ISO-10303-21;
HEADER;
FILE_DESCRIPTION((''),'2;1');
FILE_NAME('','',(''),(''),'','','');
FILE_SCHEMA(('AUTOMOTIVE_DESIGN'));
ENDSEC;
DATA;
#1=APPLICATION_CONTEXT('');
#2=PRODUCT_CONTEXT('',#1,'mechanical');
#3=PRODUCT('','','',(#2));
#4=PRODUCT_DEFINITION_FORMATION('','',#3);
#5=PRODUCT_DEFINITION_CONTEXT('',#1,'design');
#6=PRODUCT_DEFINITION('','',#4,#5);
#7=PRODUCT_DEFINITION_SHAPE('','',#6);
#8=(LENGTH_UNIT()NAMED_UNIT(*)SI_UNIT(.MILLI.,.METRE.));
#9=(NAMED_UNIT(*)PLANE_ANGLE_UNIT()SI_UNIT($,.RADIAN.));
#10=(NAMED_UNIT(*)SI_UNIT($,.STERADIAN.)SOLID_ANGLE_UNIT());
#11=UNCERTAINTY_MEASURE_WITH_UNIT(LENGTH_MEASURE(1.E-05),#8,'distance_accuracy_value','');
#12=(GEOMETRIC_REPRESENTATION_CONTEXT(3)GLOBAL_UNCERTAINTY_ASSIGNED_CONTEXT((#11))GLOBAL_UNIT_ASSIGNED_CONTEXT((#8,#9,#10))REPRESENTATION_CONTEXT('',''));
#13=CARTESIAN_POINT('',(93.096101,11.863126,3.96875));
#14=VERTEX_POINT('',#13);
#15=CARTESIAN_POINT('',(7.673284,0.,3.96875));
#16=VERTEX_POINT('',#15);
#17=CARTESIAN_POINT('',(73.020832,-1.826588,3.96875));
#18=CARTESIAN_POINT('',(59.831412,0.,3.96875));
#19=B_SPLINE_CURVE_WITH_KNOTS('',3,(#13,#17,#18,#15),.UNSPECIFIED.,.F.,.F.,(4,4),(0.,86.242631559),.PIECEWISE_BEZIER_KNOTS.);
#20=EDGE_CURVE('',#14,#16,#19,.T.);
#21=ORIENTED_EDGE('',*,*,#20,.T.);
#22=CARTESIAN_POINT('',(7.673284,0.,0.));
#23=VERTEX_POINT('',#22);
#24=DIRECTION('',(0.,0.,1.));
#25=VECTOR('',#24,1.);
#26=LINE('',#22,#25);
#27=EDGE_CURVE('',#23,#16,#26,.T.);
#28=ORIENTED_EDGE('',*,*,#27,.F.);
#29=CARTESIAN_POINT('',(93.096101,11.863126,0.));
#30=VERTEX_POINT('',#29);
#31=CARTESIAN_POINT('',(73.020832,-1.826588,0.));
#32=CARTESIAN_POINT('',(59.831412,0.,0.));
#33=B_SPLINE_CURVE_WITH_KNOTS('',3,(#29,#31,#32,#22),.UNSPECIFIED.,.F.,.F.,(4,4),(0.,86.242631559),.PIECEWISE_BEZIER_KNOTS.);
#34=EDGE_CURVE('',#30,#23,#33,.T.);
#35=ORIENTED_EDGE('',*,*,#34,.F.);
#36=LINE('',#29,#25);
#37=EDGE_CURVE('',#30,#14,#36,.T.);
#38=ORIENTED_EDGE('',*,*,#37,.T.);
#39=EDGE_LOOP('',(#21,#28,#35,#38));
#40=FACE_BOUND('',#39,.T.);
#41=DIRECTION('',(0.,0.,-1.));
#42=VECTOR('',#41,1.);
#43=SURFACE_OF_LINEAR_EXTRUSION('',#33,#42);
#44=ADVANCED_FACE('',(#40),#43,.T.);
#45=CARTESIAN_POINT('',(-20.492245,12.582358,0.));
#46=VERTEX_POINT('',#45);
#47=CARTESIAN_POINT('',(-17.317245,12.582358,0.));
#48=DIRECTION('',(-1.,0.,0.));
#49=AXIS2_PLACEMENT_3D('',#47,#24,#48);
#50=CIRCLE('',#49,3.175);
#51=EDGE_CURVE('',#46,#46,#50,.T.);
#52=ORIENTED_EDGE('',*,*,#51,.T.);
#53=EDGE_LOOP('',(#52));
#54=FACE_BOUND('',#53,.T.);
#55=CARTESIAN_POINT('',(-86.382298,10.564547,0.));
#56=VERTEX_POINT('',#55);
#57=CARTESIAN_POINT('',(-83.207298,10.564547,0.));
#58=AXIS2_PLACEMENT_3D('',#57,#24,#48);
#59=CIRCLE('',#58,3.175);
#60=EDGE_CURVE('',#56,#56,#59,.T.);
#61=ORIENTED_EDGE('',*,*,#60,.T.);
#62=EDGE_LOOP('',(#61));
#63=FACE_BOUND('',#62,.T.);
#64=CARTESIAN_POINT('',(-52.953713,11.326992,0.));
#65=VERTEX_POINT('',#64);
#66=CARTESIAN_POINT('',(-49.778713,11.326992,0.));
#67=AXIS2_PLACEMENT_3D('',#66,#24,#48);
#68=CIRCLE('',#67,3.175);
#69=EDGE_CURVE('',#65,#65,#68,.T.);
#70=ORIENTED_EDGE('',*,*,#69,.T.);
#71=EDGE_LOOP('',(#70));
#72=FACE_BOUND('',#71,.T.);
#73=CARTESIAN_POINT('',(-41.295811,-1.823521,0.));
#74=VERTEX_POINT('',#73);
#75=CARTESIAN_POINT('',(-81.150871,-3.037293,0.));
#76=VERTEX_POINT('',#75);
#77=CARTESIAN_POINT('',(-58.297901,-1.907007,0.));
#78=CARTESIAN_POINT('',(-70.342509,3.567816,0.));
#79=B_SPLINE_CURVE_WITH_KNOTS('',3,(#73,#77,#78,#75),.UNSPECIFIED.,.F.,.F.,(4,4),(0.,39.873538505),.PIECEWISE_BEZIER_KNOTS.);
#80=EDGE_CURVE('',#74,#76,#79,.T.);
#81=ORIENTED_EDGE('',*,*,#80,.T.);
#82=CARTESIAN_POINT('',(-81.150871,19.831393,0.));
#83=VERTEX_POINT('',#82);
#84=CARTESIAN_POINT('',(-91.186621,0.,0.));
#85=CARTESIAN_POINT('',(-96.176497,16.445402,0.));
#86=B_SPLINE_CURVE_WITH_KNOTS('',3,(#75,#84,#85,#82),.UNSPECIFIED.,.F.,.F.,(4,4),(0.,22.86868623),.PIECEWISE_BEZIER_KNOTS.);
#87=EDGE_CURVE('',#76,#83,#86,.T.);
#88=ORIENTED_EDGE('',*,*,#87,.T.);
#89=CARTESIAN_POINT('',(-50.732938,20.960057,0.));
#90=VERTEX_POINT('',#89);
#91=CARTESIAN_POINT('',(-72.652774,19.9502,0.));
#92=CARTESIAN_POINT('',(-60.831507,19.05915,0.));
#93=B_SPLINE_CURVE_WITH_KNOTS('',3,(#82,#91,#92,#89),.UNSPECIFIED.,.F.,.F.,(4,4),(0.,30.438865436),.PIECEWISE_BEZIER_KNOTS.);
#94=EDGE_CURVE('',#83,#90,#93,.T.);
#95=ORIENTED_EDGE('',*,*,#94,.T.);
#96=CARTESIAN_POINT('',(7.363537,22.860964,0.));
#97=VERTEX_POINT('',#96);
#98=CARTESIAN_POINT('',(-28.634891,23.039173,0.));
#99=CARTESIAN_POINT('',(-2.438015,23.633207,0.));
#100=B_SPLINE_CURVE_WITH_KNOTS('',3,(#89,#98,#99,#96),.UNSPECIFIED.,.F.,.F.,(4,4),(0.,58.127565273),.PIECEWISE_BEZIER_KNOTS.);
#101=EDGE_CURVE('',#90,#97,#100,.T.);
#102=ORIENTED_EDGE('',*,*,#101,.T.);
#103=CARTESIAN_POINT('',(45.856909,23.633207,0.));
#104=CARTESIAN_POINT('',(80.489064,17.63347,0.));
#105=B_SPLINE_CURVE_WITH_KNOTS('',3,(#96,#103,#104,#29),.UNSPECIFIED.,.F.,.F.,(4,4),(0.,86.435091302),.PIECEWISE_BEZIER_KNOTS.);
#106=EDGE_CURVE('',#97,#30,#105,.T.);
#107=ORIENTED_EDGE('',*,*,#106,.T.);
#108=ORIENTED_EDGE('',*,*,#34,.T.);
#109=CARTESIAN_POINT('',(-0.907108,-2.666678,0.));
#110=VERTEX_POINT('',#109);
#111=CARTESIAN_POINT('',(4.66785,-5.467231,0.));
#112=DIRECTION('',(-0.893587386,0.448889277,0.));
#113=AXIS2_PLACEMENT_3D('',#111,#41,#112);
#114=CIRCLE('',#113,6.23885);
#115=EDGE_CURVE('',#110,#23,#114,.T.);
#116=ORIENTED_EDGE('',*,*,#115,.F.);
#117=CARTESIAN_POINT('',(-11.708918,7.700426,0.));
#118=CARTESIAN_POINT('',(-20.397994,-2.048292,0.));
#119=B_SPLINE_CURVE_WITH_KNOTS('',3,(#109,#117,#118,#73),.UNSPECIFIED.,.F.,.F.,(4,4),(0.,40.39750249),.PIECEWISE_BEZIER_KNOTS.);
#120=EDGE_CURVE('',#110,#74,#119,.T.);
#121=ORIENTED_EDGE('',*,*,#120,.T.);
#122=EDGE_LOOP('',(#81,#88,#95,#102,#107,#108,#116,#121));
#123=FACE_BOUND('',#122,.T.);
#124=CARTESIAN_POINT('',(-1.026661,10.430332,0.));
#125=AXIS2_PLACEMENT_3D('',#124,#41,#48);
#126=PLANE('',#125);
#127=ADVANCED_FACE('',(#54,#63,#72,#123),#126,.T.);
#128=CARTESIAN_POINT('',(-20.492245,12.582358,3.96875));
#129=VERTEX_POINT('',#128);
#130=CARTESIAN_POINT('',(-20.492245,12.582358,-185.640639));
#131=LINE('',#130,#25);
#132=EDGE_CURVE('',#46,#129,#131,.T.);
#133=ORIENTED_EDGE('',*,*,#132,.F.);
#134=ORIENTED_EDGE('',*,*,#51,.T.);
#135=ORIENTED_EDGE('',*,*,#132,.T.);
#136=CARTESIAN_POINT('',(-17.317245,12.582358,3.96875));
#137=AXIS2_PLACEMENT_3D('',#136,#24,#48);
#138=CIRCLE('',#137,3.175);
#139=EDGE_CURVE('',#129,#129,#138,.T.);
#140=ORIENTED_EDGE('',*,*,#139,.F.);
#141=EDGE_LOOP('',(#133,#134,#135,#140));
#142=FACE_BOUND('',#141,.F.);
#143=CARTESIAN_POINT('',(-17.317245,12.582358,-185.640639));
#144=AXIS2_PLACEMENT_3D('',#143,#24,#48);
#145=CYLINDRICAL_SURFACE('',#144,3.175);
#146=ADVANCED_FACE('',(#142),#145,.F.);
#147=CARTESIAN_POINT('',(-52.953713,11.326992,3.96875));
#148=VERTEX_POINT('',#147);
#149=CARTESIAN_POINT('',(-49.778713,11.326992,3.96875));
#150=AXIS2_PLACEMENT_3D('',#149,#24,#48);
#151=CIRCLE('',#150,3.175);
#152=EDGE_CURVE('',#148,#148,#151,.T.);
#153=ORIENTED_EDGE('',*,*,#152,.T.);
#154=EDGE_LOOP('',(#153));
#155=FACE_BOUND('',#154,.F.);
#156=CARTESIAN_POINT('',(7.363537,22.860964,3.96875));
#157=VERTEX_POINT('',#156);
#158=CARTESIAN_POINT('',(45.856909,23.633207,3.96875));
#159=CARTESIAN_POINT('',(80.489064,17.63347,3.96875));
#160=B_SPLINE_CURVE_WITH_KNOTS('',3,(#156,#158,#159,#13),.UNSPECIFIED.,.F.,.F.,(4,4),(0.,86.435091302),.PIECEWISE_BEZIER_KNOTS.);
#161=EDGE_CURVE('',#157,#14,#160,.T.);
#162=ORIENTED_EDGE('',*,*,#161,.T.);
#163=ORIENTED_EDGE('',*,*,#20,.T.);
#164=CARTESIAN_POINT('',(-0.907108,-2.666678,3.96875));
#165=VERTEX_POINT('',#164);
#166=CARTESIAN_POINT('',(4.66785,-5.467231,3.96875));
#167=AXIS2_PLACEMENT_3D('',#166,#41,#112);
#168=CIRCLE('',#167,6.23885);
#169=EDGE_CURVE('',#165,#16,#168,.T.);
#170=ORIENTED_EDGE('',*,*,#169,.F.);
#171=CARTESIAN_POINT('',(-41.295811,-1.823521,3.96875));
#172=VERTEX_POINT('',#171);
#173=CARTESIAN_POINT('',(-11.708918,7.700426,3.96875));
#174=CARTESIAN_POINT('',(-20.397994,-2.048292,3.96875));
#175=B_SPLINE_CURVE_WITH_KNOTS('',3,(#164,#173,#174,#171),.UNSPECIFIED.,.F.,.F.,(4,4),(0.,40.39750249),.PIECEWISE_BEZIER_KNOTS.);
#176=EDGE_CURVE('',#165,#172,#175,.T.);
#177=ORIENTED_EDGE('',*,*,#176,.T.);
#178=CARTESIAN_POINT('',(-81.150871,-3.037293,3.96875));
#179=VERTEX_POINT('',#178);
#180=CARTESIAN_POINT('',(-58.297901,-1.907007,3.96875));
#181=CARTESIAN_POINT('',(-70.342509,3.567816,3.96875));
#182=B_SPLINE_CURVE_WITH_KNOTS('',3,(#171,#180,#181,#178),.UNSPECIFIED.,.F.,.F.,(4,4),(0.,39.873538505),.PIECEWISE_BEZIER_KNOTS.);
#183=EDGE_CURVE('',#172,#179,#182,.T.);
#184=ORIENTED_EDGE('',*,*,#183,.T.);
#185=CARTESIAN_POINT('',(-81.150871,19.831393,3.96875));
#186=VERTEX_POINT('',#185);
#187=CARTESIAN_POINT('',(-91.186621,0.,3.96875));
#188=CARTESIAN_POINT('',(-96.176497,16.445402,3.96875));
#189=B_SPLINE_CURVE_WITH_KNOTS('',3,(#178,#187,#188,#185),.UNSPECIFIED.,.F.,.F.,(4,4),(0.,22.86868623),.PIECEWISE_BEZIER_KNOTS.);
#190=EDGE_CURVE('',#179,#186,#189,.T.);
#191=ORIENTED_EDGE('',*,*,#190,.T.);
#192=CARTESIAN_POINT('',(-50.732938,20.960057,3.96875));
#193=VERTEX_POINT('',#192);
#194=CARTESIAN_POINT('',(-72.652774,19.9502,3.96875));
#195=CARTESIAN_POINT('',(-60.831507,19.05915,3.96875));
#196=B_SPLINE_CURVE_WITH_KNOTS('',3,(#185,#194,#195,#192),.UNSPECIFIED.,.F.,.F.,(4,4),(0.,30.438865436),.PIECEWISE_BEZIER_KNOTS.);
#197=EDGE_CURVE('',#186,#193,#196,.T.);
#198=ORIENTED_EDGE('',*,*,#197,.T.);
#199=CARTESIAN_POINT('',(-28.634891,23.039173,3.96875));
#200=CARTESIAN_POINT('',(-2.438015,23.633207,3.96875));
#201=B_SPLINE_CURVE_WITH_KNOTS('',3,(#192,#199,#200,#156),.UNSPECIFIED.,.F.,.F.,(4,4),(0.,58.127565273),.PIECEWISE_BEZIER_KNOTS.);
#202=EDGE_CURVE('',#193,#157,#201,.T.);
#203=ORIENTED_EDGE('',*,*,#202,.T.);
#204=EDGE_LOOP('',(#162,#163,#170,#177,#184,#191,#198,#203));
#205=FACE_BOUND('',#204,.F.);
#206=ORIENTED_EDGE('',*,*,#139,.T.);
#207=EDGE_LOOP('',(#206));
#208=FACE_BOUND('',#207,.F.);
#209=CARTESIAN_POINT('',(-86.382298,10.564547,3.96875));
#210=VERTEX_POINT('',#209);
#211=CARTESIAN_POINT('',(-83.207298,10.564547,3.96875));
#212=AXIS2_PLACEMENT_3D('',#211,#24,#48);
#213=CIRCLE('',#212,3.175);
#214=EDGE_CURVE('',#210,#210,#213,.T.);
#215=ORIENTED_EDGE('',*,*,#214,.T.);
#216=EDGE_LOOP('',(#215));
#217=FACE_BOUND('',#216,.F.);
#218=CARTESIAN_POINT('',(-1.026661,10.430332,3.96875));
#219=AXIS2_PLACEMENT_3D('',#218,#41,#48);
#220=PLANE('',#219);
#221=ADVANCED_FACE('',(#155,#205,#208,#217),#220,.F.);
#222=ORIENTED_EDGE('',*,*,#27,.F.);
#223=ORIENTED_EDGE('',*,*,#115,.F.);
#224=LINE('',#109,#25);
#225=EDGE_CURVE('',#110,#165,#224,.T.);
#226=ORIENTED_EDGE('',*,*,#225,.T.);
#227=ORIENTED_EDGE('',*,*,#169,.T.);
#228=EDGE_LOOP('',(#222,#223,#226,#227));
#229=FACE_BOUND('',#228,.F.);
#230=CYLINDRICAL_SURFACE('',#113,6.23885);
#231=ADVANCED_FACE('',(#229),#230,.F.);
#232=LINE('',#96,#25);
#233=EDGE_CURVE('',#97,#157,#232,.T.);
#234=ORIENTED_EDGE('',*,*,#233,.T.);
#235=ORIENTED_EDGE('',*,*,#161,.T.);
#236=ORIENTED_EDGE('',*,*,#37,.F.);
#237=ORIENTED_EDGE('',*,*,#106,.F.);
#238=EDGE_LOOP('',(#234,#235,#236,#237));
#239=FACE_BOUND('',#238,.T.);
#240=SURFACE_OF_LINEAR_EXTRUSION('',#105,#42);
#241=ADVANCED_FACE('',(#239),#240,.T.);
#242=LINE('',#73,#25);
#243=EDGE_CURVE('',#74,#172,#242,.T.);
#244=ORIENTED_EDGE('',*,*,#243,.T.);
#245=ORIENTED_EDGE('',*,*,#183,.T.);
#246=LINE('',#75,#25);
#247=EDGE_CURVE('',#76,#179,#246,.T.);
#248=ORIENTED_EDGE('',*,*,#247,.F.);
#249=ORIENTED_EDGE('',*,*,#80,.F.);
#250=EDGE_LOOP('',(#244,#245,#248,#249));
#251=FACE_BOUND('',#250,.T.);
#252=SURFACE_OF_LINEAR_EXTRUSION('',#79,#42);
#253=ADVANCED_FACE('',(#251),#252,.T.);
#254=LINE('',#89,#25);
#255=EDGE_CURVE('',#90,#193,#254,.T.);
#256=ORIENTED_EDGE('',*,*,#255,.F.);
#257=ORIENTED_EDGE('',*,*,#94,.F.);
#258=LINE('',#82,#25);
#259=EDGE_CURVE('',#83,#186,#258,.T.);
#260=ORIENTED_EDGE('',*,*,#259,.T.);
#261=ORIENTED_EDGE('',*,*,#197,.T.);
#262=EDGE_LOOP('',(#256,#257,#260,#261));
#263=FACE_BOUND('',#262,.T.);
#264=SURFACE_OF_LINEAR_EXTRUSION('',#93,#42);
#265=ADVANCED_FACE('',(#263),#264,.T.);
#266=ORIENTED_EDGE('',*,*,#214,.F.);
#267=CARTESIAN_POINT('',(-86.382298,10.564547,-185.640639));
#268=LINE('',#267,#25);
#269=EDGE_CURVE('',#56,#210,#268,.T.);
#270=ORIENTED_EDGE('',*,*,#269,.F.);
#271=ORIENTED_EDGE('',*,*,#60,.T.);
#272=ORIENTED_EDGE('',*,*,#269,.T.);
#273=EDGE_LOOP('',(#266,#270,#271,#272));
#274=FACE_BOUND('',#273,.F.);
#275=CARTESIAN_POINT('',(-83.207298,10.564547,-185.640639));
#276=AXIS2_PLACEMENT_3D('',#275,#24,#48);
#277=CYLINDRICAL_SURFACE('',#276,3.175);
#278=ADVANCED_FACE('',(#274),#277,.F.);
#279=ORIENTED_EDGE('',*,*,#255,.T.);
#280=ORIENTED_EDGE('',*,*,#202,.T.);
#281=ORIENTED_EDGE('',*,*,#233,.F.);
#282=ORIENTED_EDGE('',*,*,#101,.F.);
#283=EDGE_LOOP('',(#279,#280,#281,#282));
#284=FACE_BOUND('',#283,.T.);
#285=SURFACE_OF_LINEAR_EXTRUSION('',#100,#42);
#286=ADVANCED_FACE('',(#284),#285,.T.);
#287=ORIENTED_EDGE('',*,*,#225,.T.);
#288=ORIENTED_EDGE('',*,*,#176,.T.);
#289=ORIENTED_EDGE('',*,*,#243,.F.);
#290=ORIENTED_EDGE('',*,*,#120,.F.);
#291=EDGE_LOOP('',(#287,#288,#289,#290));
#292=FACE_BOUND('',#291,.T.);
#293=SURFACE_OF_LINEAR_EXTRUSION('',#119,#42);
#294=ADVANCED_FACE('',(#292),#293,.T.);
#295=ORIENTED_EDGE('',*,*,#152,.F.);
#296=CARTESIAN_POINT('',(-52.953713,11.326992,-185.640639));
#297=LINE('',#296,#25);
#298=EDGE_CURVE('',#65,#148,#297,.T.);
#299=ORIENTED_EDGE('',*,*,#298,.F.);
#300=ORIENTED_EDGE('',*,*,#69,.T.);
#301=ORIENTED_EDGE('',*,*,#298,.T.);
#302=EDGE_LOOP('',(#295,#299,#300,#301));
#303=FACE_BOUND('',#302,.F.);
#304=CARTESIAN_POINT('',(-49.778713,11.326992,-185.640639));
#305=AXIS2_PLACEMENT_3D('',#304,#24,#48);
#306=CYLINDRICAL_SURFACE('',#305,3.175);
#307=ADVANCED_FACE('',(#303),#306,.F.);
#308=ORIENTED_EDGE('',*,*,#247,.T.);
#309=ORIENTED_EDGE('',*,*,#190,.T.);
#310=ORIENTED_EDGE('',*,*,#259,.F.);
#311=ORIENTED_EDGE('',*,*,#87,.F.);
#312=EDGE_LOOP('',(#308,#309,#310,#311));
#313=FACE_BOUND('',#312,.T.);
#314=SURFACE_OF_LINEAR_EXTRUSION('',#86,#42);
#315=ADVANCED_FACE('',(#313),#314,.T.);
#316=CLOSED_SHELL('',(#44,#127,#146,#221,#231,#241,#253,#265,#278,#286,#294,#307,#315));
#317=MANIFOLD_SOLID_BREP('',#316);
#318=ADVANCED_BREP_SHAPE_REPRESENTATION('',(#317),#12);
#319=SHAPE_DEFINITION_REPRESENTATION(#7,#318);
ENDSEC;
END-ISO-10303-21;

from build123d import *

# Parameters (mm, degrees)
F1_DEPTH = 3.96875
F2_D     = 6.35
F3_D     = 6.35


with BuildPart() as f1:
    # F0 (on Top) → F1 (new body)
    with BuildSketch(Plane.XY):
        with BuildLine():
            add(Edge.make_bspline(
                [(93.0961013775, 11.8631264067), (73.0208323512, -1.8265877953), (59.8314115865, 0), (7.6732839915, 0)],
                knots=[0, 0, 0, 0, 86.2426315595, 86.2426315595, 86.2426315595, 86.2426315595], degree=3))
            add(Edge.make_bspline(
                [(7.3635370912, 22.8609638917), (45.8569088961, 23.6332072416), (80.4890639518, 17.6334698365), (93.0961013775, 11.8631264067)],
                knots=[0, 0, 0, 0, 86.4350913023, 86.4350913023, 86.4350913023, 86.4350913023], degree=3))
            add(Edge.make_bspline(
                [(-50.7329378175, 20.9600568183), (-28.6348905119, 23.0391732855), (-2.4380154521, 23.6332072416), (7.3635370912, 22.8609638917)],
                knots=[0, 0, 0, 0, 58.1275652726, 58.1275652726, 58.1275652726, 58.1275652726], degree=3))
            add(Edge.make_bspline(
                [(-81.150870805, 19.8313930948), (-72.6527741432, 19.950199886), (-60.8315071405, 19.059149745), (-50.7329378175, 20.9600568183)],
                knots=[0, 0, 0, 0, 30.4388654361, 30.4388654361, 30.4388654361, 30.4388654361], degree=3))
            add(Edge.make_bspline(
                [(-81.150870805, -3.0372931352), (-91.1866208845, 0), (-96.1764965988, 16.4454019242), (-81.150870805, 19.8313930948)],
                knots=[0, 0, 0, 0, 22.8686862301, 22.8686862301, 22.8686862301, 22.8686862301], degree=3))
            add(Edge.make_bspline(
                [(-41.2958105253, -1.8235209079), (-58.2979012822, -1.90700734), (-70.3425093809, 3.5678162715), (-81.150870805, -3.0372931352)],
                knots=[0, 0, 0, 0, 39.8735385051, 39.8735385051, 39.8735385051, 39.8735385051], degree=3))
            add(Edge.make_bspline(
                [(-0.9071079771, -2.6666779982), (-11.7089183609, 7.7004259843), (-20.3979939932, -2.0482919491), (-41.2958105253, -1.8235209079)],
                knots=[0, 0, 0, 0, 40.3975024897, 40.3975024897, 40.3975024897, 40.3975024897], degree=3))
            ThreePointArc((-0.9071079771, -2.6666779982), (2.8162542913, 0.4905240496), (7.6732839915, 0))
        make_face()
    extrude(amount=F1_DEPTH)

    # F2 (through all)
    with Locations(Plane(origin=(0, 0, 0), x_dir=(1, 0, 0), z_dir=(0, 0, -1))):
        with Locations((-49.7787126682, -11.3269922778)):
            Hole(F2_D / 2)

    # F3 (through all)
    with Locations(Plane(origin=(0, 0, 0), x_dir=(1, 0, 0), z_dir=(0, 0, -1))):
        with Locations((-83.2072975638, -10.5645472046), (-17.3172454044, -12.5823580943)):
            Hole(F3_D / 2)


solid = f1.part
